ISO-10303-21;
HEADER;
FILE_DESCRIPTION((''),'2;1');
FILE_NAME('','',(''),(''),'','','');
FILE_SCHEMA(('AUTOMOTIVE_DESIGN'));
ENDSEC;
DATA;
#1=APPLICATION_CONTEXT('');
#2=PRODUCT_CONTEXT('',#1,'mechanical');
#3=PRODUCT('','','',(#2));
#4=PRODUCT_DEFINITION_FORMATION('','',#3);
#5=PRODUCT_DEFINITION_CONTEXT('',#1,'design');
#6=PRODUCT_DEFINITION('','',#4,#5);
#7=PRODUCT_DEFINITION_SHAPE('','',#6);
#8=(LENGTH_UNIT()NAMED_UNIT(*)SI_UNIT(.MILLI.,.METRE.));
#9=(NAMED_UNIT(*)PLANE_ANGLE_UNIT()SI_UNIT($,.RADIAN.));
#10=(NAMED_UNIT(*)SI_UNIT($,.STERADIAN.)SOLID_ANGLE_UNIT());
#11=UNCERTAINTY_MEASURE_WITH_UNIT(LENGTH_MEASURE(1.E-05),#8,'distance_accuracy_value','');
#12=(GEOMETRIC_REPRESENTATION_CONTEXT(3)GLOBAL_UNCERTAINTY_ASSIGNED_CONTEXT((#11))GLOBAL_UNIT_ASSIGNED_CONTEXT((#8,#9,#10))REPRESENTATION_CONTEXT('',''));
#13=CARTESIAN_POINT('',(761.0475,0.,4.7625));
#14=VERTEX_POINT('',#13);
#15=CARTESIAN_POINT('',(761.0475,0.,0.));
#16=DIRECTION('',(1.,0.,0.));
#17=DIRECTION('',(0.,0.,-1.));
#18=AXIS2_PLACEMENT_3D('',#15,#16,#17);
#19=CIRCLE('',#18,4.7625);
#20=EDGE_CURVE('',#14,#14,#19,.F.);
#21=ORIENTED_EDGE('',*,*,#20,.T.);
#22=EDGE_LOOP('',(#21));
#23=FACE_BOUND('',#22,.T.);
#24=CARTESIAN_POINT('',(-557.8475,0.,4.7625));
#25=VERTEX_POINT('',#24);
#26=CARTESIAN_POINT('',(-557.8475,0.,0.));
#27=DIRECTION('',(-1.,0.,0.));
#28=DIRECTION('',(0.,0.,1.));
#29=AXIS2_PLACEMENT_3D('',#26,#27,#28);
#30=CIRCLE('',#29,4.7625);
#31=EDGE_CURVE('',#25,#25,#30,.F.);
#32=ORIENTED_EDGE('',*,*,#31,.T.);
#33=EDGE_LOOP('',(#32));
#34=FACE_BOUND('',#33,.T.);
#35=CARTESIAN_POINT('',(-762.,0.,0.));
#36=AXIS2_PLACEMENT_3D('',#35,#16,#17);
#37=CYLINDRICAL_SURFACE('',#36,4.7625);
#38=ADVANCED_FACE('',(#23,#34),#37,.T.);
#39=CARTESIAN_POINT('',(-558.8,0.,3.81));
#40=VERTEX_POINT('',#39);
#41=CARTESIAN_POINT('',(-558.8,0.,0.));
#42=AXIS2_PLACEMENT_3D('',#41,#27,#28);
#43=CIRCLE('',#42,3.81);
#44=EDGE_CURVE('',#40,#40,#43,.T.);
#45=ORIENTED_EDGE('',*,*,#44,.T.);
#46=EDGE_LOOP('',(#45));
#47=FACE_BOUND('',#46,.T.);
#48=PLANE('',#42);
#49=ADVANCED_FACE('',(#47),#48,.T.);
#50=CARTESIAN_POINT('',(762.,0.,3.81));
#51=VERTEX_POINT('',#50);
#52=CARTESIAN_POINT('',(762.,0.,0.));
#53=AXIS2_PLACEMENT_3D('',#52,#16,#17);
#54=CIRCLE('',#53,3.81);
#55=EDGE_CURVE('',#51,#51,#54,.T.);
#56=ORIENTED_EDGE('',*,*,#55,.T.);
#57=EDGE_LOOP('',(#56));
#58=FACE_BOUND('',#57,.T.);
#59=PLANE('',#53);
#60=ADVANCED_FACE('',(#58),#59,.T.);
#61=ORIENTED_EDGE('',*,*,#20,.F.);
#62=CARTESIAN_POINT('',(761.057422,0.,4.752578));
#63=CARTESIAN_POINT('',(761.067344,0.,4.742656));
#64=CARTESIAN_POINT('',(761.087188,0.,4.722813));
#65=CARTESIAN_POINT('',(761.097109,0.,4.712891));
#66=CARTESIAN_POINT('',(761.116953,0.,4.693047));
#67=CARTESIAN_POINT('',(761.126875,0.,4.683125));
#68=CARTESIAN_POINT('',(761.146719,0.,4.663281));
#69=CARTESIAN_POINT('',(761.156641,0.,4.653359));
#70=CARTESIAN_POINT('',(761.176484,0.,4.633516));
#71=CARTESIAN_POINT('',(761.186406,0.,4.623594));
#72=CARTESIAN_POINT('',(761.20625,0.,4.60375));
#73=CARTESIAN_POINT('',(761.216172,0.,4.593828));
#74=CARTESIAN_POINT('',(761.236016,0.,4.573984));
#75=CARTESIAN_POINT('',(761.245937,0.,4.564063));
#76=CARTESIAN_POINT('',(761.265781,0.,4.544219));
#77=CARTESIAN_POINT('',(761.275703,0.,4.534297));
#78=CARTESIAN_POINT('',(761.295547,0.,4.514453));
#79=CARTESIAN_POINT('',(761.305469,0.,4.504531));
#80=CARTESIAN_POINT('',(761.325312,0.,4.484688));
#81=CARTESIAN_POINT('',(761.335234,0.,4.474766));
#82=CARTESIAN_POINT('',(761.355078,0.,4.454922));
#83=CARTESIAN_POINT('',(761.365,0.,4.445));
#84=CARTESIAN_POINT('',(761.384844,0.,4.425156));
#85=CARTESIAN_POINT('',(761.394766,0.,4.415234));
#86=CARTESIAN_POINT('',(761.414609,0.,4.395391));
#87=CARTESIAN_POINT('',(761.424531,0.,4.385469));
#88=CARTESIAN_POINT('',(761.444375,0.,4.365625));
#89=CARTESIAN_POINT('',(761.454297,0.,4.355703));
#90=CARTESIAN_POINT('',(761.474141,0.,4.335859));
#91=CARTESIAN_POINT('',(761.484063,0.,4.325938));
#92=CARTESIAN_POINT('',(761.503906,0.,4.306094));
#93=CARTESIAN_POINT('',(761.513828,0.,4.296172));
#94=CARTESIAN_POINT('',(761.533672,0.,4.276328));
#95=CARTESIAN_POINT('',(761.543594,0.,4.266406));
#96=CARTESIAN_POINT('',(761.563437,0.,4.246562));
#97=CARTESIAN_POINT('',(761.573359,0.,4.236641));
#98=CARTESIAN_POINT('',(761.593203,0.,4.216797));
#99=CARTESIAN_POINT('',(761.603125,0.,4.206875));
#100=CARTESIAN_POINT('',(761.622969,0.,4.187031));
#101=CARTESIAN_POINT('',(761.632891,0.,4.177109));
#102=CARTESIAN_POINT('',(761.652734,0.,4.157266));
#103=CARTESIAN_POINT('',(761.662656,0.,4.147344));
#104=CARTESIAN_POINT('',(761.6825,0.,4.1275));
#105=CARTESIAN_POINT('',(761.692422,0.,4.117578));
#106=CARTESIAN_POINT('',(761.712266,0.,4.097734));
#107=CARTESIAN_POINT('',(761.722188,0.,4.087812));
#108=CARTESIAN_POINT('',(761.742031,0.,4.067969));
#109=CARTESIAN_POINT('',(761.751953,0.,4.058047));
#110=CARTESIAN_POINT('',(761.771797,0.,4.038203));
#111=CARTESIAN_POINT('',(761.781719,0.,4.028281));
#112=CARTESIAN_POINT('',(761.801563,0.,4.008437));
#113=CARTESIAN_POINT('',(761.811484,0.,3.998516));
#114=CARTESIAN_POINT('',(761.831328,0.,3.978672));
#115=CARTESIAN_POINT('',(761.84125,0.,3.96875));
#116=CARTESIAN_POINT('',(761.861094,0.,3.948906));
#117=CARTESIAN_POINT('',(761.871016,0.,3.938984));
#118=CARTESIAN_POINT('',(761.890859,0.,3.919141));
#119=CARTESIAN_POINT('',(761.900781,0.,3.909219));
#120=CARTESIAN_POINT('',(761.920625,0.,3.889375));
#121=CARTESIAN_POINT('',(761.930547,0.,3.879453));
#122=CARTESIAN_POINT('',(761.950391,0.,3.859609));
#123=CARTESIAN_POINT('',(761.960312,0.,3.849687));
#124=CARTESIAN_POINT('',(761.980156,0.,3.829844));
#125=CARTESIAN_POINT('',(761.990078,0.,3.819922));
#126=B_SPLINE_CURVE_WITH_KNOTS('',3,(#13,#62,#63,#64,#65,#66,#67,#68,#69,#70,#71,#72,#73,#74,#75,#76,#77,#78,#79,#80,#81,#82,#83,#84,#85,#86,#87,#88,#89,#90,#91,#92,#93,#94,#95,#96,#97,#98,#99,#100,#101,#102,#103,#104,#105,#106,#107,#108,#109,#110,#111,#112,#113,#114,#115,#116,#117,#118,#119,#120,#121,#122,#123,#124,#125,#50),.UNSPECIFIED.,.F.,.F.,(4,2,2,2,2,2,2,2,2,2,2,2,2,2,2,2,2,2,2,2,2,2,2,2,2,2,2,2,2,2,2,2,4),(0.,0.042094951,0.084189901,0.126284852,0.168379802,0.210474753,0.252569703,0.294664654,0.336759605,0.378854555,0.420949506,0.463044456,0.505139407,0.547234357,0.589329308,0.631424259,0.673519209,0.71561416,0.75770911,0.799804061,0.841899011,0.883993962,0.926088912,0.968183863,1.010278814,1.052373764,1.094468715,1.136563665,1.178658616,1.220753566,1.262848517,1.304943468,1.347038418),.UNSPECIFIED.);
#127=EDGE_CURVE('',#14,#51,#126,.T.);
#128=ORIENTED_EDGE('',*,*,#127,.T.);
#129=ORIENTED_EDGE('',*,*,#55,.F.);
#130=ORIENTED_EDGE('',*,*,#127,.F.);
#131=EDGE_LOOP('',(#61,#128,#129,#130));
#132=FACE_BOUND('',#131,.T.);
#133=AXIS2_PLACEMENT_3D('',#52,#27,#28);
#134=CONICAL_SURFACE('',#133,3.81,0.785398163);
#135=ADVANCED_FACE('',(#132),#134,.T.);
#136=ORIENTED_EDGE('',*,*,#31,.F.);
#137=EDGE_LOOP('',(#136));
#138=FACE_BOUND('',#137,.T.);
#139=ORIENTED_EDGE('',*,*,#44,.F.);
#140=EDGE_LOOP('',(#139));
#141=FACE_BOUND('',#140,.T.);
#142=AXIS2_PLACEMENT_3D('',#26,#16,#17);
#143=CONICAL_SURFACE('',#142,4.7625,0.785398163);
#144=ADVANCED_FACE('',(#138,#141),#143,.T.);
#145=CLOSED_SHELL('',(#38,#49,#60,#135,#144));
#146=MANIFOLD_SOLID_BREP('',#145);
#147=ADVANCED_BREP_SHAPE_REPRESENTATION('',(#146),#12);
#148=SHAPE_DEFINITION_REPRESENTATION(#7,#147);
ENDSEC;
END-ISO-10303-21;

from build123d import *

# Parameters (mm, degrees)
EXTRUDE1_DEPTH      = 762
EXTRUDE1_DEPTH_BACK = 762
SKETCH2_R           = 4.7625
CHAMFER1_SIZE       = 0.9525
SKETCH3_R           = 12.540834079
CUT_EXTRUDE1_DEPTH  = 203.2
CHAMFER2_SIZE       = 0.9525


with BuildPart() as part:
    # Sketch2 → Extrude1 (new, two sides: drawn at the far end of the back side and taken through both)
    with BuildSketch(Plane(origin=(0, 0, 0), x_dir=(0, 0, -1), z_dir=(1, 0, 0)).offset(-EXTRUDE1_DEPTH_BACK)):
        Circle(SKETCH2_R)
    extrude(amount=EXTRUDE1_DEPTH + EXTRUDE1_DEPTH_BACK)

    # Chamfer1
    chamfer1_edges = [part.edges().sort_by_distance(p)[0] for p in [
        (-762, 0, 4.7625),
        (762, 0, 4.7625),
    ]]
    chamfer(chamfer1_edges, length=CHAMFER1_SIZE)

    # Sketch3 → Cut-Extrude1 (cut)
    with BuildSketch(Plane.ZY.offset(762)):
        Circle(SKETCH3_R)
    extrude(amount=-CUT_EXTRUDE1_DEPTH, mode=Mode.SUBTRACT)

    # Chamfer2
    chamfer2_edges = [part.edges().sort_by_distance(p)[0] for p in [
        (-558.8, 0, 4.7625),
    ]]
    chamfer(chamfer2_edges, length=CHAMFER2_SIZE)


solid = part.part
